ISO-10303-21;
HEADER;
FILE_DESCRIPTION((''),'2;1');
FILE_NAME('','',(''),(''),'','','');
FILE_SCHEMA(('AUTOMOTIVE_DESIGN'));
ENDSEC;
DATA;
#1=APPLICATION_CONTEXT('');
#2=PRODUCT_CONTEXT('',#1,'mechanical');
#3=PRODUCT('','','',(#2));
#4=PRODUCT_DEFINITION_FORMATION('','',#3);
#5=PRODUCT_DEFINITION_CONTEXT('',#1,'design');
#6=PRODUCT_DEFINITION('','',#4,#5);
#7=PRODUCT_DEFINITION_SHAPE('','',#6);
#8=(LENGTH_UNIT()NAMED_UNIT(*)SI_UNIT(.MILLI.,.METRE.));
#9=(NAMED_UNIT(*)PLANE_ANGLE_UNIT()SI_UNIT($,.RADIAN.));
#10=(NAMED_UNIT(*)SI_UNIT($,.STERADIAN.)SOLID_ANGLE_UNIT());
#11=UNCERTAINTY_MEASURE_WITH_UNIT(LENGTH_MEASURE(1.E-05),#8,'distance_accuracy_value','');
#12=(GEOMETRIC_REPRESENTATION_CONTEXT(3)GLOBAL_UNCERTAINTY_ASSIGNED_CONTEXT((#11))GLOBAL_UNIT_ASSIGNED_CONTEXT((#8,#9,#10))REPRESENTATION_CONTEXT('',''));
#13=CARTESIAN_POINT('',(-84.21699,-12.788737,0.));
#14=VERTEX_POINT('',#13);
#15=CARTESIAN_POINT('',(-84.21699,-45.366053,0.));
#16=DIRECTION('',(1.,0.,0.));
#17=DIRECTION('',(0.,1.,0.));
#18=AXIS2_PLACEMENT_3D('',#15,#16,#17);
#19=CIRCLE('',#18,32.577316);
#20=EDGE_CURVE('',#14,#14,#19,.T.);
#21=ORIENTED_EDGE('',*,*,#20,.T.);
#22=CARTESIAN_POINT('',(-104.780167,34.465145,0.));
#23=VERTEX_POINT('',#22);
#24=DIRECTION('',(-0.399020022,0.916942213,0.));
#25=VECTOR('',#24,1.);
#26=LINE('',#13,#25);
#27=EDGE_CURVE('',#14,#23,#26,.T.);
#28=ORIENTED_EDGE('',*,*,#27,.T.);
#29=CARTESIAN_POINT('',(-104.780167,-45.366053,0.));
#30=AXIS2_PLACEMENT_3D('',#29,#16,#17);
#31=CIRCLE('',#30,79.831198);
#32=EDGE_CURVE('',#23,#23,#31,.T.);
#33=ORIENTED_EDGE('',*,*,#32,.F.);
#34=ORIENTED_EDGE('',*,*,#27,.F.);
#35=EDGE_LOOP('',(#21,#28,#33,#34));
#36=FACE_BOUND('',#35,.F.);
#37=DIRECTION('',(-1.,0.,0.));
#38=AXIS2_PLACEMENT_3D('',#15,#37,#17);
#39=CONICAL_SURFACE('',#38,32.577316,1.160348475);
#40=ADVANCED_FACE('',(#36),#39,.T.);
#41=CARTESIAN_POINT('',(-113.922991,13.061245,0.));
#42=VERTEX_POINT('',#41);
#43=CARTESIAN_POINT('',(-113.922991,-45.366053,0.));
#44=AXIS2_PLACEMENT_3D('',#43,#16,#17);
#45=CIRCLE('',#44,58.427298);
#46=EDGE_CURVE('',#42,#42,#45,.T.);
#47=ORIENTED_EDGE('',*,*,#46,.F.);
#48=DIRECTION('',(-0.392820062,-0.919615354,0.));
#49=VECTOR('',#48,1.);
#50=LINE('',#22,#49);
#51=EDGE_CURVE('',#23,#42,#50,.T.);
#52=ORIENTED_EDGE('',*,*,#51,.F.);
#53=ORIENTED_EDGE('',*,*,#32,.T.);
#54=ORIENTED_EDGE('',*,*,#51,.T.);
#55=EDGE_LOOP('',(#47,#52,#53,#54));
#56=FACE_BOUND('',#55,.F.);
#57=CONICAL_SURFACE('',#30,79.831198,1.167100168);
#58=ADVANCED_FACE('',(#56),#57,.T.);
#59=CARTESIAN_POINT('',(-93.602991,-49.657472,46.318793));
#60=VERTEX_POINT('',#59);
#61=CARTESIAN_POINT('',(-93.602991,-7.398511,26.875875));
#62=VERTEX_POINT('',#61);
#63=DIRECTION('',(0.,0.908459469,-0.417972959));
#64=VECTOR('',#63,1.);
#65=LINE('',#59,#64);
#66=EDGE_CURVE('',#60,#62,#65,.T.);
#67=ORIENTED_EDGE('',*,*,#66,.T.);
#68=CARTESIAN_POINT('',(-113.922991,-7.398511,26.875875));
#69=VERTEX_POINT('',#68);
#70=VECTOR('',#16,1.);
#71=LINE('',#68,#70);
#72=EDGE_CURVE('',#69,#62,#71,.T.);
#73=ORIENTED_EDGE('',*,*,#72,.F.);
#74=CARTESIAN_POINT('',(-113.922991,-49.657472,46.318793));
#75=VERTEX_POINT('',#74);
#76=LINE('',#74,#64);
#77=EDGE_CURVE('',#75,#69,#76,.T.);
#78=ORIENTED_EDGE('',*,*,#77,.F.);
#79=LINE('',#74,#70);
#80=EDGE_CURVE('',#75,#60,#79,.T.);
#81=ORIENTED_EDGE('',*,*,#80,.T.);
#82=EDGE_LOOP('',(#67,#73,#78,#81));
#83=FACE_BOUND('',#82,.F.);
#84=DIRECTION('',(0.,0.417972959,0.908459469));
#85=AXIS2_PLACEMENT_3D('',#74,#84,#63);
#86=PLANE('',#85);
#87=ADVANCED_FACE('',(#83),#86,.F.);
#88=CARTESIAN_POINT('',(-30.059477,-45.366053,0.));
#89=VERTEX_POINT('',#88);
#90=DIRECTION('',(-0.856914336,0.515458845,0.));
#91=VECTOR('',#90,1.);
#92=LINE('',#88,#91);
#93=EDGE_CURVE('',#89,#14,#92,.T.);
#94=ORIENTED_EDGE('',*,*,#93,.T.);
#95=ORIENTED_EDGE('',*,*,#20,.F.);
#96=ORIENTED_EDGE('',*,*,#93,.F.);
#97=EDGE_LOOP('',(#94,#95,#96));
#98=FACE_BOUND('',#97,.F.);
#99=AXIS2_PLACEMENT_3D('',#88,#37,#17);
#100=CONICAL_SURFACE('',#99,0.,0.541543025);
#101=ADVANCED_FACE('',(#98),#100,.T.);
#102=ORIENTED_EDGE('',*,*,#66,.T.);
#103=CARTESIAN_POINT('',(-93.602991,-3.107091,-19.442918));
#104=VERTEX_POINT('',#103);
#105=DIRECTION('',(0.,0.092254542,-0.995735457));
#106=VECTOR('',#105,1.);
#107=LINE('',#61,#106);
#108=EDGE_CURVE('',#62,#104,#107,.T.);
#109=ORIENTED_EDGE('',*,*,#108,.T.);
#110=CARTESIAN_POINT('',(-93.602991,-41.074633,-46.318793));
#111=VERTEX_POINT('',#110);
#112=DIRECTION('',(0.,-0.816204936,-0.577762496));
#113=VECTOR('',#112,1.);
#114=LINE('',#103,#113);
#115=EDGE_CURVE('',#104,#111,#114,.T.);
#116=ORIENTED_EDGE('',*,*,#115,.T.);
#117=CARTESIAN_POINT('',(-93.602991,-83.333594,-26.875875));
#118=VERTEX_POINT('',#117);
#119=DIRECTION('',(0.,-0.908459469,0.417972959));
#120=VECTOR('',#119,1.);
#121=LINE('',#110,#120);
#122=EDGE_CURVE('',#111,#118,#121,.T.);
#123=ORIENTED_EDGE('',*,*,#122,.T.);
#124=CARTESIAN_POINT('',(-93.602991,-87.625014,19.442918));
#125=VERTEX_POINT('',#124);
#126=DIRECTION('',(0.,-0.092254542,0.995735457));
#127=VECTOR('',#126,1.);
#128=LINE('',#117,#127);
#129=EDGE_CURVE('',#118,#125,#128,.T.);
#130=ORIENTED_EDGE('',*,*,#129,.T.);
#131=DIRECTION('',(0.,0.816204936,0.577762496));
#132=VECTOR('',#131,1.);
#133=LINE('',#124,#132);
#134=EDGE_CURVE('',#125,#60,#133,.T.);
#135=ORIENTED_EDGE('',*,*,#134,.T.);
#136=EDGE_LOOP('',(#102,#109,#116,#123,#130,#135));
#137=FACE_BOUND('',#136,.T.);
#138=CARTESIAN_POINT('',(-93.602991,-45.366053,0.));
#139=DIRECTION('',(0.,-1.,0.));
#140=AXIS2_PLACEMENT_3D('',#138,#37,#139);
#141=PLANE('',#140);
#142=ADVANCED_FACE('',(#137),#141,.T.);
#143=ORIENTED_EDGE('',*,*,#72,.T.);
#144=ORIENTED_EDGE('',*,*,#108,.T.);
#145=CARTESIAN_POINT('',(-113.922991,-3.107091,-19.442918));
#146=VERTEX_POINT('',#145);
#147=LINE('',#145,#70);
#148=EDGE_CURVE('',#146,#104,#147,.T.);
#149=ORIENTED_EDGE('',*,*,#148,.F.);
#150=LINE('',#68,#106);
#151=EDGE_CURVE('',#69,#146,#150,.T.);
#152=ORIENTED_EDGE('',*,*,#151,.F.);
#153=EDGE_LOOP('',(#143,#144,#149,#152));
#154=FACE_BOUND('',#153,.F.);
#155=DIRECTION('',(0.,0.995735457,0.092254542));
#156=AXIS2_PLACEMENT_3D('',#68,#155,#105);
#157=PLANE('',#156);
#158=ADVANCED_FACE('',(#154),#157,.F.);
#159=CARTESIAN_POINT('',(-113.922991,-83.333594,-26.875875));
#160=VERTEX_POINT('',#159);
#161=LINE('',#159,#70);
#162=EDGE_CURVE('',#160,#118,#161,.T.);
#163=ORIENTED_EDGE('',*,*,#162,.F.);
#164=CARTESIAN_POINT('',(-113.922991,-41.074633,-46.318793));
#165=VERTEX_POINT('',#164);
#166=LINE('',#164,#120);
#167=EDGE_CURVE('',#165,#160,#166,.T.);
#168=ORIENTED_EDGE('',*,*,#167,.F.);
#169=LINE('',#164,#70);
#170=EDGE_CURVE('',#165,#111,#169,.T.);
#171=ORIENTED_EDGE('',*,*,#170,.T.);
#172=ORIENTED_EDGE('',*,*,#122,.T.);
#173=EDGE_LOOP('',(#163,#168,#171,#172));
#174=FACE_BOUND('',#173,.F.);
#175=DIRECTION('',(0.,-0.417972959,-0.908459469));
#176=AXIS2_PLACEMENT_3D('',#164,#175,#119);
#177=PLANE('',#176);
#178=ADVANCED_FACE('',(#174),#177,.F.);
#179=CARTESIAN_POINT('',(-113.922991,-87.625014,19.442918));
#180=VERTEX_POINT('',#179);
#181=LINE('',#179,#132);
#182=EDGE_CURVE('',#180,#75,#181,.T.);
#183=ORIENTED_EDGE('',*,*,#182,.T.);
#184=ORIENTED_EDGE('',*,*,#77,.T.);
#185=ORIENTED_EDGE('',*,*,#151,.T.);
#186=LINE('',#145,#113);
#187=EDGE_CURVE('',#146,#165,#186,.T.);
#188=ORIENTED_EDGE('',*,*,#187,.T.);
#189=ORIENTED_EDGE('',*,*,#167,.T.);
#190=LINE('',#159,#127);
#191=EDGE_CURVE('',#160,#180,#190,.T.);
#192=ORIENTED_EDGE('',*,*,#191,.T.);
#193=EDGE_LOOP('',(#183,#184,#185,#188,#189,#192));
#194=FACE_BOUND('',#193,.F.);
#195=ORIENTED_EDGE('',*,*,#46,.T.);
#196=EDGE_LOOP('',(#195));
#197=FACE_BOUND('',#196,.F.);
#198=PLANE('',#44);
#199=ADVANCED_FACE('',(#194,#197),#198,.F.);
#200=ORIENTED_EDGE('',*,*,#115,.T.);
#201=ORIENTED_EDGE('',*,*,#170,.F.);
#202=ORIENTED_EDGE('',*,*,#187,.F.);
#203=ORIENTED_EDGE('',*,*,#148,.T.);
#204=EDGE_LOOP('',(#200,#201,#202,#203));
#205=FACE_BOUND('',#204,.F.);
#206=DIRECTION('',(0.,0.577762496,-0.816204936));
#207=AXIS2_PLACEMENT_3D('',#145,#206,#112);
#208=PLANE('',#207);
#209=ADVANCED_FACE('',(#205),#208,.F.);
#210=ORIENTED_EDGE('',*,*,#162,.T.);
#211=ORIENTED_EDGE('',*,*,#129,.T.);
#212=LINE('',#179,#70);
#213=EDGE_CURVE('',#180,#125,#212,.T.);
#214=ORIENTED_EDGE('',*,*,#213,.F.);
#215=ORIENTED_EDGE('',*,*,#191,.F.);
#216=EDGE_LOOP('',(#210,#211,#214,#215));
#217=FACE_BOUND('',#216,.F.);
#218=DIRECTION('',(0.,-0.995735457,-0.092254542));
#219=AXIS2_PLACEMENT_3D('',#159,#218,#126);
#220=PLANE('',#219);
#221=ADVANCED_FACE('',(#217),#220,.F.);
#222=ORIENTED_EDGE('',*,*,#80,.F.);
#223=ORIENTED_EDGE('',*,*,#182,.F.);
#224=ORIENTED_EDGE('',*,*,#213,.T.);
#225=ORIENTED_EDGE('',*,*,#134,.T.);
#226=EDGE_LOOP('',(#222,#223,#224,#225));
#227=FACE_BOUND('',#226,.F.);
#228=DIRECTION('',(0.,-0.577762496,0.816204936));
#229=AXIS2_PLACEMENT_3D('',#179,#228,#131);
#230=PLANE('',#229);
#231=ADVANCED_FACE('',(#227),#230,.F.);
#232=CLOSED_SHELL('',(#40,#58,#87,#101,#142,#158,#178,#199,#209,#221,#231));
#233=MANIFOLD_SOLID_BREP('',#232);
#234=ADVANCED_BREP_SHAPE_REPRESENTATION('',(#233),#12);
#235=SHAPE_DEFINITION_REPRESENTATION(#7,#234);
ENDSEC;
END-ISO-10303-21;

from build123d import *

# Parameters (mm, degrees)
F3_DEPTH = 20.32


with BuildPart() as f1:
    # F0 (on Top) → F1 (revolve)
    with BuildSketch(Plane.XY):
        Polygon((-104.780167, 34.465145), (-113.922991, 13.061245), (-113.922991, -45.366053), (-30.059477, -45.366053), (-84.21699, -12.788737), align=None)
    revolve(axis=Axis((-71.991234, -45.366053, 0), (1, 0, 0)))

    # F2 (on face) → F3 (cut)
    with BuildSketch(Plane(origin=(-113.922991, 0, 0), x_dir=(0, -1, 0), z_dir=(-1, 0, 0))):
        Polygon((83.333594, -26.875875), (87.625014, 19.442918), (49.657472, 46.318793), (7.398511, 26.875875), (3.107091, -19.442918), (41.074633, -46.318793), align=None)
    extrude(amount=-F3_DEPTH, mode=Mode.SUBTRACT)


solid = f1.part
